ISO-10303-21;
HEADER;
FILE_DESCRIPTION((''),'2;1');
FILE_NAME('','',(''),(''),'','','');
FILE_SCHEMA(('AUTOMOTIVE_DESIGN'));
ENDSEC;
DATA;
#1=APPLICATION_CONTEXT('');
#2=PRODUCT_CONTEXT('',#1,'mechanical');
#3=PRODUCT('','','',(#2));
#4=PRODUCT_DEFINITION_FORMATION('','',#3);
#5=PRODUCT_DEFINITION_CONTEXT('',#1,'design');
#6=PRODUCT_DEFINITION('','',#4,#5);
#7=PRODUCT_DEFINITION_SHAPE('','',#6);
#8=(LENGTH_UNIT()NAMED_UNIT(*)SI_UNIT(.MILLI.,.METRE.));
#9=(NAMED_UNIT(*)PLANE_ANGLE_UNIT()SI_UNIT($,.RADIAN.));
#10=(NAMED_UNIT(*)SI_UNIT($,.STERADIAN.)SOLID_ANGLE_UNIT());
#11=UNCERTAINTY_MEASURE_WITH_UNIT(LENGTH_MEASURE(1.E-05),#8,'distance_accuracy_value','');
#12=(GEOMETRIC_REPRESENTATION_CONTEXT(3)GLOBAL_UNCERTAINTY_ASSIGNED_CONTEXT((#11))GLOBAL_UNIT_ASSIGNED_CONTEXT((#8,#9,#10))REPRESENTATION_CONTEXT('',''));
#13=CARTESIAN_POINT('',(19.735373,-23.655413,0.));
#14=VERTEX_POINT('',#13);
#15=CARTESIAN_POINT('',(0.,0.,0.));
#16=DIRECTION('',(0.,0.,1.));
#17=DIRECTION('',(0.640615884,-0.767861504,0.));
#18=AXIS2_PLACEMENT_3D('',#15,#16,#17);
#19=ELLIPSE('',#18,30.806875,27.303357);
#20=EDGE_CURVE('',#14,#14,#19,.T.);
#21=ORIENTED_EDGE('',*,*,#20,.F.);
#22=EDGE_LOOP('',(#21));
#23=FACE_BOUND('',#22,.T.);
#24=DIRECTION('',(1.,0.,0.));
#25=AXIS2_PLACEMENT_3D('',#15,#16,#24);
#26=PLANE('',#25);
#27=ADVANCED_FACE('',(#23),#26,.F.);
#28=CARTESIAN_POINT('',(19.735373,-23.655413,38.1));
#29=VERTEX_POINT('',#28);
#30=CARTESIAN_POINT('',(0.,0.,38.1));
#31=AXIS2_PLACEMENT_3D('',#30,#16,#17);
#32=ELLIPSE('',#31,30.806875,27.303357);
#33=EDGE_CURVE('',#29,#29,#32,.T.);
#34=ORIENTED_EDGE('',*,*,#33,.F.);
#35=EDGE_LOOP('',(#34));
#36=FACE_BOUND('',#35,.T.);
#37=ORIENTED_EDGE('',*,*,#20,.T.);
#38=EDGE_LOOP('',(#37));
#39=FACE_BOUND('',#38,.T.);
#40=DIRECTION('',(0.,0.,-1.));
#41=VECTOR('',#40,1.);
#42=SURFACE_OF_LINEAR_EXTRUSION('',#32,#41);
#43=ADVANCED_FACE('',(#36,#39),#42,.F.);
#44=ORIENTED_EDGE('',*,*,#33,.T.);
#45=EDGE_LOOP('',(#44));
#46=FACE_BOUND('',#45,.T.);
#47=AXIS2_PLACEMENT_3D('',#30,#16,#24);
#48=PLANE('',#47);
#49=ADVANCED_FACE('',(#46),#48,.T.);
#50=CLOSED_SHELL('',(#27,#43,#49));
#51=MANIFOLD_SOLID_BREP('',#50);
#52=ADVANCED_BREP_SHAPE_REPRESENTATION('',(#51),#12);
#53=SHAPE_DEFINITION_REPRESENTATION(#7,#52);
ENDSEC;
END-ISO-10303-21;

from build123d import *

# Parameters (mm, degrees)
SKETCH_1_RX     = 30.806874859
SKETCH_1_RY     = 27.303357218
EXTRUDE_1_DEPTH = 38.1


with BuildPart() as part:
    # 草图1 → 凸台-拉伸1 (new body)
    with BuildSketch(Plane.XY):
        with Locations(Location((0, 0), (0, 0, -50.162240271))):
            Ellipse(SKETCH_1_RX, SKETCH_1_RY)
    extrude(amount=EXTRUDE_1_DEPTH)


solid = part.part
